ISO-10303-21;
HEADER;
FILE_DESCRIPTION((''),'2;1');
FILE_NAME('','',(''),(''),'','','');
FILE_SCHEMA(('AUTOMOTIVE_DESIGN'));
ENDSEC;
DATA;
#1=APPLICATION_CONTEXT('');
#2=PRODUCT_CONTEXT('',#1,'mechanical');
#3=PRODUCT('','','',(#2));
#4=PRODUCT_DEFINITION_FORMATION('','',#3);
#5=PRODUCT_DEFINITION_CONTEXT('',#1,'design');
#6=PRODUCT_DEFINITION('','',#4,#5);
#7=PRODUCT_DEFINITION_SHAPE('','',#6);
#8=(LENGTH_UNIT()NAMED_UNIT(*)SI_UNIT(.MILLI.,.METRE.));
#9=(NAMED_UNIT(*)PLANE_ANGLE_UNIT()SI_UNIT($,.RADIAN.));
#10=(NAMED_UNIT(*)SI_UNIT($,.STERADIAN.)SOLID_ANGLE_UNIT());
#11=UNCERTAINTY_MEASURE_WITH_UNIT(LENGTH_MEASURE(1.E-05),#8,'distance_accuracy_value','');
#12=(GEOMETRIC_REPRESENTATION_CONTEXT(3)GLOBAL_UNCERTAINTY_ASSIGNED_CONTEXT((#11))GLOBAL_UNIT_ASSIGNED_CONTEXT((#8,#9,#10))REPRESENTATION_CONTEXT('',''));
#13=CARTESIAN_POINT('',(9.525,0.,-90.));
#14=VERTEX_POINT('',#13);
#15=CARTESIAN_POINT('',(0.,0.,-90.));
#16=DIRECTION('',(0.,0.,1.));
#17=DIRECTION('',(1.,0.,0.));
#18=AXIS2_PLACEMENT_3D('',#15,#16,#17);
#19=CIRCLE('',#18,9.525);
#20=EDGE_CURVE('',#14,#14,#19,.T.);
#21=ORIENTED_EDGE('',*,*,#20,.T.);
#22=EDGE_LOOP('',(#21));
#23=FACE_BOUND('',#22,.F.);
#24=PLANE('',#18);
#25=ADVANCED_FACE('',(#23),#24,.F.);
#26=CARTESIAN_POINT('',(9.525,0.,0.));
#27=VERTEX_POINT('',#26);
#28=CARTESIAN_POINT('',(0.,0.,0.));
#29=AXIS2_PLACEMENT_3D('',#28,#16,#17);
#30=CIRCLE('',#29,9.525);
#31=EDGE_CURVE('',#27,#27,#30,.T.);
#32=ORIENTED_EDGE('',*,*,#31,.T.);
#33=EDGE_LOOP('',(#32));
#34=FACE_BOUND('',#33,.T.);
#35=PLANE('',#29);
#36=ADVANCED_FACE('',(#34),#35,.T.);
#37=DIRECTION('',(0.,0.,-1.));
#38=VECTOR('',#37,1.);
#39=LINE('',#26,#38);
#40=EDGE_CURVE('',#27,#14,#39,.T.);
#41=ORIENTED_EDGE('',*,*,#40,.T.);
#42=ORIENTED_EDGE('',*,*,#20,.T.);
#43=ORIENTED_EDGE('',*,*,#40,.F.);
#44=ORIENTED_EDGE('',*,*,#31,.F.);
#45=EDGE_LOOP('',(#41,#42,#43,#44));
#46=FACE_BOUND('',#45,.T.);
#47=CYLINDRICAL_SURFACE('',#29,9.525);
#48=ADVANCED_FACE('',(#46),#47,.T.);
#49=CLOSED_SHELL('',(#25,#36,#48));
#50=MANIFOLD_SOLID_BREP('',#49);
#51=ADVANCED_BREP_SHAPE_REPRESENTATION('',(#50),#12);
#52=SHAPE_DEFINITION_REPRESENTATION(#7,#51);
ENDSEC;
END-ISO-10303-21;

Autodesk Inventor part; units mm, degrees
ref_plane "YZ Plane" through (0, 0, 0) normal (1, 0, 0) x (0, 1, 0)
ref_plane "XZ Plane" through (0, 0, 0) normal (0, 1, 0) x (-1, 0, 0)
sketch "Sketch1" plane through (0, 0, 0) normal (0, 0, 1) x (1, 0, 0)
  circle A0 centre (0, 0) radius 9.525 projected
  point P0 (0, 0)
ref_plane "Work Plane1" through (-9.525, -9.525, -90) normal (0, 0, 1) x (1, 0, 0)
extrude "Extrusion1" add sketch "Sketch1" against normal up to surface (90 mm away)
properties part number "HandleSheathConnector"
